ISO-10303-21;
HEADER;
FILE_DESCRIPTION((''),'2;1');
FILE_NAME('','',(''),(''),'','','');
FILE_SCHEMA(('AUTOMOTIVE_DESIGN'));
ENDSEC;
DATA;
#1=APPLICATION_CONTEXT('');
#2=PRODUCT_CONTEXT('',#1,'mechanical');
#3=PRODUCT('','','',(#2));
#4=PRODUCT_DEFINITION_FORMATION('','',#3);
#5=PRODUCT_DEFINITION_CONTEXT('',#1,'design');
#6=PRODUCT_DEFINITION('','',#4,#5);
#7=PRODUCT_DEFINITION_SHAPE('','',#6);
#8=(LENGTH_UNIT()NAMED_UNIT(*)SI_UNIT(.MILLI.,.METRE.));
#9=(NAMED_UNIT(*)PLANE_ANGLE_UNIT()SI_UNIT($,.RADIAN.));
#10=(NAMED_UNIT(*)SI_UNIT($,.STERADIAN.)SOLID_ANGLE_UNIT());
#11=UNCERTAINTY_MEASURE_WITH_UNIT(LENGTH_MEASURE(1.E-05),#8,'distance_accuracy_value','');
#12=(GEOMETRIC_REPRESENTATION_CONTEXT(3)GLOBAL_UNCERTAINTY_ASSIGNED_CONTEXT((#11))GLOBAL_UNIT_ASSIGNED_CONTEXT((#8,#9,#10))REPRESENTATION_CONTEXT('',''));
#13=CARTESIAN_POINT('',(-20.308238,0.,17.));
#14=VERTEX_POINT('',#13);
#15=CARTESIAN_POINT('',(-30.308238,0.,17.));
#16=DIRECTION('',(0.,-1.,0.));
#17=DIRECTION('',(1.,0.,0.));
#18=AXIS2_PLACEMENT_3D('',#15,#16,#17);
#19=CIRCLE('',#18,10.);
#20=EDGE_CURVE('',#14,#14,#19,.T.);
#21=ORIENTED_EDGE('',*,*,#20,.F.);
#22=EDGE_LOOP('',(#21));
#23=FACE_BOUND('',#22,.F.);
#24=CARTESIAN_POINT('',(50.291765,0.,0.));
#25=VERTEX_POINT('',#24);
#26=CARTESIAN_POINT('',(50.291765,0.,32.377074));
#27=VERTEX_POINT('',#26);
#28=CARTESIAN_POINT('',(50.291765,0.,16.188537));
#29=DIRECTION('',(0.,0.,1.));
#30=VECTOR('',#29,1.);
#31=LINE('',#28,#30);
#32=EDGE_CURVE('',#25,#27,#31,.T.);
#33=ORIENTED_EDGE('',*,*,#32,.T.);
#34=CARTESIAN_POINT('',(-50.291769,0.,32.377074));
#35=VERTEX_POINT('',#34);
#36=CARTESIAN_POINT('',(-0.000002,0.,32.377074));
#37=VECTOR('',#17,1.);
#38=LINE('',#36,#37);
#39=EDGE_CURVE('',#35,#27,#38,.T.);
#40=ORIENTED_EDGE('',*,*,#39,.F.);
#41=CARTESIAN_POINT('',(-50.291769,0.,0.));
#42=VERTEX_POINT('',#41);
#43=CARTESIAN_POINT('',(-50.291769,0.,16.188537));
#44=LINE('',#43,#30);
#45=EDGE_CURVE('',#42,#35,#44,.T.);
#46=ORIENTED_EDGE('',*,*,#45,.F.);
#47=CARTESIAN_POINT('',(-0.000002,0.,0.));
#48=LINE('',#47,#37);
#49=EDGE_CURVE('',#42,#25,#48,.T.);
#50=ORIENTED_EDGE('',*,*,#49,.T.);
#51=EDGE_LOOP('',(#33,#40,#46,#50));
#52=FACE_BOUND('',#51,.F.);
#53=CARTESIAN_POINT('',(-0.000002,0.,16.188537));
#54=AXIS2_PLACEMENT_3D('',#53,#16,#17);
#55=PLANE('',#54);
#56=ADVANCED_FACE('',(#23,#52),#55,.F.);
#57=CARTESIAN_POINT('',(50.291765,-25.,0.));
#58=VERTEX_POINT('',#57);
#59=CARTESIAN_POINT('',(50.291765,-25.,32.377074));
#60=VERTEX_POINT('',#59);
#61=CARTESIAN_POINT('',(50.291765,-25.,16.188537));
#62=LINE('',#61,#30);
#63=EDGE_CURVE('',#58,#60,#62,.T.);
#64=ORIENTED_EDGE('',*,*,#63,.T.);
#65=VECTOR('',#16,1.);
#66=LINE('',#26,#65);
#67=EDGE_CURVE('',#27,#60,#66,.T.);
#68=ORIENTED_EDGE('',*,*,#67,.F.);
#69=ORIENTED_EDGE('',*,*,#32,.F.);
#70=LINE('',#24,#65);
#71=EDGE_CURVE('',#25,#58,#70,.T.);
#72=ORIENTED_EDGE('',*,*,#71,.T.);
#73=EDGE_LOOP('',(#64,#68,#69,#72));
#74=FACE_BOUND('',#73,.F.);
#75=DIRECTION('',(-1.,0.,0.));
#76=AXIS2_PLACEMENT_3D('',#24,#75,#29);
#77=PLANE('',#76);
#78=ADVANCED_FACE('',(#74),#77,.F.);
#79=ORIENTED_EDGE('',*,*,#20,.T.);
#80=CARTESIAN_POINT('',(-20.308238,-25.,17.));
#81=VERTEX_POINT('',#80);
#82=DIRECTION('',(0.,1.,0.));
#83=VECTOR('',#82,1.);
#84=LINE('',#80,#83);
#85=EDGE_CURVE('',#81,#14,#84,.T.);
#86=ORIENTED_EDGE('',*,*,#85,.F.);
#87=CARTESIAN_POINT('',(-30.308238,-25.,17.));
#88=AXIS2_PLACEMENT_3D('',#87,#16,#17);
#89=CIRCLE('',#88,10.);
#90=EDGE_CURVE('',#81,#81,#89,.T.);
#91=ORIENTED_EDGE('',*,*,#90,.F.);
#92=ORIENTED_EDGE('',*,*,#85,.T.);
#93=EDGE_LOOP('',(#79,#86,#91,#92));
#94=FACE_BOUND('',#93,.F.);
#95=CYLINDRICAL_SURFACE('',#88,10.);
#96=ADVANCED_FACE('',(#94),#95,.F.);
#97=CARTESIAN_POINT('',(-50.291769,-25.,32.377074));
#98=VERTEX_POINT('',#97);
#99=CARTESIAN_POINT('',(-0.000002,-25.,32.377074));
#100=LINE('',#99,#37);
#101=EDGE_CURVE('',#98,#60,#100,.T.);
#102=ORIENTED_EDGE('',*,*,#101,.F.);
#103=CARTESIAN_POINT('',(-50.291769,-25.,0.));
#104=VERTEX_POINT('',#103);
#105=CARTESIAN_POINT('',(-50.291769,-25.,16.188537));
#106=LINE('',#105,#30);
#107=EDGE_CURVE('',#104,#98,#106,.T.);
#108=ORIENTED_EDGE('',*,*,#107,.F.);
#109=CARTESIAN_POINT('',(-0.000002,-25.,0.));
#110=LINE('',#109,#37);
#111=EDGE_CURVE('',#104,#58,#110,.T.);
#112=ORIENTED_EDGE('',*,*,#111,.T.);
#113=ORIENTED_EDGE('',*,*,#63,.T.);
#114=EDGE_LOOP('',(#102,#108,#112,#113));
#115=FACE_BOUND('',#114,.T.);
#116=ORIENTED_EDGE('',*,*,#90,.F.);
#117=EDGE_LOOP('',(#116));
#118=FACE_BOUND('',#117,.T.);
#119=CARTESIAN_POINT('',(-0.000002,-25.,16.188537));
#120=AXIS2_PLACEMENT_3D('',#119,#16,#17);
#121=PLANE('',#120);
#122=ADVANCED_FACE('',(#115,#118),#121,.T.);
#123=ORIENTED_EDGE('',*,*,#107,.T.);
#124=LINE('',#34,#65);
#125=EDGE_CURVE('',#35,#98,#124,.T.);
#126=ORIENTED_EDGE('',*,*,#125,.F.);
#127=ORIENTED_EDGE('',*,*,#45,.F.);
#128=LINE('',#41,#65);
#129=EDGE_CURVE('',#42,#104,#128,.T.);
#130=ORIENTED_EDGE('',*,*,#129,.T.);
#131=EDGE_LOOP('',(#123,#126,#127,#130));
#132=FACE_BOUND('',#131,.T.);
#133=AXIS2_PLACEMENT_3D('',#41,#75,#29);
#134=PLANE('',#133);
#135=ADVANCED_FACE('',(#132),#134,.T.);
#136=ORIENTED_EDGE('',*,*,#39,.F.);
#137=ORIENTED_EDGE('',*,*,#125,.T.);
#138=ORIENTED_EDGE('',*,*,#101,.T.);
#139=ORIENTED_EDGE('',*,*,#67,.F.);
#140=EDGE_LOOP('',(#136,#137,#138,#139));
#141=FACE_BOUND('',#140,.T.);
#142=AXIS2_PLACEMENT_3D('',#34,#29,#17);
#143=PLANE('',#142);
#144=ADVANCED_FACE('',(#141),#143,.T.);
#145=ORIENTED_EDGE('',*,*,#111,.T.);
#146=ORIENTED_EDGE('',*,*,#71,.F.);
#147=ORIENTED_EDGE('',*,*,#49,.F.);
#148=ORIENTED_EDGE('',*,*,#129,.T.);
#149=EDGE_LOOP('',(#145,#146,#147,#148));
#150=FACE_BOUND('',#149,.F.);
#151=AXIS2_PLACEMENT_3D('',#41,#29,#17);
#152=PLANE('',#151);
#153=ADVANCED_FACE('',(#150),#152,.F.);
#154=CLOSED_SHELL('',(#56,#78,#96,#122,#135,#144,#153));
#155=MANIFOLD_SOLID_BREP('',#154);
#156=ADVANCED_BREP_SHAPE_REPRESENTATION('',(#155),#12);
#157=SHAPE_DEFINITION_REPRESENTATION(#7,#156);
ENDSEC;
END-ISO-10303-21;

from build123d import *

# Parameters (mm, degrees)
F0_W     = 100.583534
F0_H     = 32.377075
F1_DEPTH = 25
F2_R     = 10
F3_DEPTH = 38.7


with BuildPart() as f1:
    # F0 (on Front) → F1 (new body)
    with BuildSketch(Plane.XZ):
        with Locations((-2e-06, 16.188537)):
            Rectangle(F0_W, F0_H)
    extrude(amount=F1_DEPTH)

    # F2 (on face) → F3 (cut)
    with BuildSketch(Plane.XZ.offset(25)):
        with Locations((-30.308238, 17)):
            Circle(F2_R)
    extrude(amount=-F3_DEPTH, mode=Mode.SUBTRACT)


solid = f1.part
